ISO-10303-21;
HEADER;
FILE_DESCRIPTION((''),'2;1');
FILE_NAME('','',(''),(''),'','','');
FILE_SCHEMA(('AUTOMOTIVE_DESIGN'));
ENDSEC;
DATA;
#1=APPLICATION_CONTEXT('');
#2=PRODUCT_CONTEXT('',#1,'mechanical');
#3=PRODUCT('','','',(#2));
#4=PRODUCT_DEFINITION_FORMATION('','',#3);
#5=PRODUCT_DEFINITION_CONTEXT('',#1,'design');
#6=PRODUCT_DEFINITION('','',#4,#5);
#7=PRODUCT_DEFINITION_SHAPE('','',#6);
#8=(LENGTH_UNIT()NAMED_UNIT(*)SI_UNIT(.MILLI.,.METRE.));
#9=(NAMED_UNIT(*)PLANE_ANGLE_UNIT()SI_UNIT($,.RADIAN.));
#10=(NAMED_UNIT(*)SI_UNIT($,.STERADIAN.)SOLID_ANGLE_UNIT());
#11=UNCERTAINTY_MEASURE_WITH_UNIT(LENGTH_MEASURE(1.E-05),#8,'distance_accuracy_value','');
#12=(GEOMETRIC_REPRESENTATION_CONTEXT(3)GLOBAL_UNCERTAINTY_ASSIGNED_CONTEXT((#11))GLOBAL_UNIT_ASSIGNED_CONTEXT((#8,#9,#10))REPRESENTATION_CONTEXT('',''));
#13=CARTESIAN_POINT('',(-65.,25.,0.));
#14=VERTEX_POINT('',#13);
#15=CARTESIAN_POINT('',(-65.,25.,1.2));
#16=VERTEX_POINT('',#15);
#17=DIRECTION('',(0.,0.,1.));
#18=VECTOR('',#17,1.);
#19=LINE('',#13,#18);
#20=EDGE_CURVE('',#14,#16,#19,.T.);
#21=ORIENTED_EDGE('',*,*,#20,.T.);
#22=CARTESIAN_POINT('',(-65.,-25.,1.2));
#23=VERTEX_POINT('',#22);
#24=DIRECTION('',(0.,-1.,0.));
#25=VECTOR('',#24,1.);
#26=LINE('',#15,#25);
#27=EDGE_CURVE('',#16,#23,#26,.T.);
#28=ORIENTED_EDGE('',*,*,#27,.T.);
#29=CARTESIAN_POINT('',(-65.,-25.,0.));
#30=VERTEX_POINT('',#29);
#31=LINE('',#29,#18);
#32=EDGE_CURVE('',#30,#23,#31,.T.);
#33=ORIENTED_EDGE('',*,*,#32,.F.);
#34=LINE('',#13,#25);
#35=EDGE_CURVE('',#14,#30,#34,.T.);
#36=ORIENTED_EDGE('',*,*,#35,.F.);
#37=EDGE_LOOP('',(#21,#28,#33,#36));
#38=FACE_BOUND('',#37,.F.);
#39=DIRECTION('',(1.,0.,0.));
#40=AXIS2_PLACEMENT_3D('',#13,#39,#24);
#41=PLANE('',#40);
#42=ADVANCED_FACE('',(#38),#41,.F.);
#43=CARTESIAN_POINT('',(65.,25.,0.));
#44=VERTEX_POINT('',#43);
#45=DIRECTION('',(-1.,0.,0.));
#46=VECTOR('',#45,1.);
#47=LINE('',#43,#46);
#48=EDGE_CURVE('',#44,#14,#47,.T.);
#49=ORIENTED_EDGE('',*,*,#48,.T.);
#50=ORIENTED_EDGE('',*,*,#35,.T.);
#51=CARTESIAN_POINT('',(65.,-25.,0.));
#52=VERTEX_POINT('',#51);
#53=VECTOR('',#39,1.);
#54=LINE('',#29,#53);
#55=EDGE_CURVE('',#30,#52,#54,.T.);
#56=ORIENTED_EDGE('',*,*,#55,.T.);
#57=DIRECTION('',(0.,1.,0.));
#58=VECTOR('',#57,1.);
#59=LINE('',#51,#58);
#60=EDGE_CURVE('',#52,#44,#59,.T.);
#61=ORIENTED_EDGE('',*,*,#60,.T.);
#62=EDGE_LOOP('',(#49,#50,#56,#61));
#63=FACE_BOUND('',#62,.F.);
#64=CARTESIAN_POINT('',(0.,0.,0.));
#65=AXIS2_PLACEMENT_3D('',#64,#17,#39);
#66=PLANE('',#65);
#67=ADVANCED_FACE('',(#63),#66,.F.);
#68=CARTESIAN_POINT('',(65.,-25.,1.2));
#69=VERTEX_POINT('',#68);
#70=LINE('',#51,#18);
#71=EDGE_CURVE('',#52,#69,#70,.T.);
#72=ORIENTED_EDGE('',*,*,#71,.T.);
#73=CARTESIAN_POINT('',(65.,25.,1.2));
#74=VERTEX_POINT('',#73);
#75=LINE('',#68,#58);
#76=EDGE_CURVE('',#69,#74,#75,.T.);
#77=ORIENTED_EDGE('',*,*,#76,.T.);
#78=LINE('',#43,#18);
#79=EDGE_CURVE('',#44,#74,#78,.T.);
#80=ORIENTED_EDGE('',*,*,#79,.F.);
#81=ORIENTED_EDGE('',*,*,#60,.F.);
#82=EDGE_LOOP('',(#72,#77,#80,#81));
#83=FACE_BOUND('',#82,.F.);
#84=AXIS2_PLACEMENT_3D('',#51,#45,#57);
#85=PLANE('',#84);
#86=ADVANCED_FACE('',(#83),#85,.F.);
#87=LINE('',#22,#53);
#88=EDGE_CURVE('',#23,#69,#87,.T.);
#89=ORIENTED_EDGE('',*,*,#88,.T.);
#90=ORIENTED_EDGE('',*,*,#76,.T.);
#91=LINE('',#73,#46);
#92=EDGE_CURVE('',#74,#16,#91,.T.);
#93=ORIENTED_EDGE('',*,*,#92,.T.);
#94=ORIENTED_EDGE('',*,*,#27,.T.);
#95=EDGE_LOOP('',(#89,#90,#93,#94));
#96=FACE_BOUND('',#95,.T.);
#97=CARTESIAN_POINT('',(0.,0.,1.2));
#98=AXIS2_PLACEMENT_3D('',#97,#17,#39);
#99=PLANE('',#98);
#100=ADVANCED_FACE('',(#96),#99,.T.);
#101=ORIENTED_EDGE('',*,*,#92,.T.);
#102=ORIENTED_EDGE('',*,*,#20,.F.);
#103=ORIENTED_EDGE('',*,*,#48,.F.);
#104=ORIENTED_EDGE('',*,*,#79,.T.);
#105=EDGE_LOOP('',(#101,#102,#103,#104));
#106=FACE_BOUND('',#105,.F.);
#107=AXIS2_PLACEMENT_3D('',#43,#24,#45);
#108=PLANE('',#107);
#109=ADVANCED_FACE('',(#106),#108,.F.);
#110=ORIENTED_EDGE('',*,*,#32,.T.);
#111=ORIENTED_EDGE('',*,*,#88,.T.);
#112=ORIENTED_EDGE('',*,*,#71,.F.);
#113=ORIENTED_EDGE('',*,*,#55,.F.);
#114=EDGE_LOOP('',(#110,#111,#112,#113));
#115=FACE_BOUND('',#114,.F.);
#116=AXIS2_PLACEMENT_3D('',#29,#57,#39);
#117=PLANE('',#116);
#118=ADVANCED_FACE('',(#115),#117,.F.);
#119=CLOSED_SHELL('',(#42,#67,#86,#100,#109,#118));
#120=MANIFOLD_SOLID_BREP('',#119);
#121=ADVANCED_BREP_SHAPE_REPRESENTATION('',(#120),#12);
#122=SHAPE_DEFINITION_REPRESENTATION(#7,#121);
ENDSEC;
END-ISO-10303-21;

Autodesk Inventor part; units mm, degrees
ref_plane "YZ Plane" through (0, 0, 0) normal (1, 0, 0) x (0, 1, 0)
ref_plane "XZ Plane" through (0, 0, 0) normal (0, 1, 0) x (-1, 0, 0)
ref_plane "XY Plane" through (0, 0, 0) normal (0, 0, 1) x (1, 0, 0)
sketch "Sketch1" plane through (0, 0, 0) normal (0, 0, 1) x (1, 0, 0)
  line L0 (0, 35) -> (0, -35) construction
  line L1 (-91, 0) -> (91, 0) construction
  line L2 (-65, -25) -> (65, -25)
  line L3 (65, -25) -> (65, 25)
  line L4 (65, 25) -> (-65, 25)
  line L5 (-65, 25) -> (-65, -25)
  line L6 (-65, -25) -> (65, 25) construction
  line L7 (65, -25) -> (-65, 25) construction
  point P0 (0, 0)
  dimension "d0" = 130
  dimension "d1" = 50
extrude "Extrusion1" add sketch "Sketch1" along normal blind 1.2
equation "\"d0\" = HostPCB_Length"
equation "\"d1\" = HostPCB_Width"
equation "\"d2\" = HostPCB_Thickness"
equation "\"Heatsink_Thickness\" = 5"
equation "\"Heatsink_Width\" = 65"
equation "\"Cover_Thickness\" = 2"
equation "\"PowerPCB_Minus_Height\" = 1.2"
equation "\"PowerPCB_Width\" = 63"
equation "\"Interface_Thickness\" = 7"
equation "\"PowerPCB_Thickness\" = 3"
equation "\"PowerPCB_Plus_Height\" = 8"
equation "\"LogicPCB_Width\" = 55"
equation "\"LogicPCB_Thickness\" = 2"
equation "\"LogicPCB_Plus_Height\" = 8"
equation "\"HostPCB_Length\" = 130"
equation "\"HostPCB_Width\" = 50"
equation "\"HostPCB_Plus_Height\" = 8"
equation "\"HostPCB_Thickness\" = 1.2"
properties part number "HostPCB" material "GFRC"
